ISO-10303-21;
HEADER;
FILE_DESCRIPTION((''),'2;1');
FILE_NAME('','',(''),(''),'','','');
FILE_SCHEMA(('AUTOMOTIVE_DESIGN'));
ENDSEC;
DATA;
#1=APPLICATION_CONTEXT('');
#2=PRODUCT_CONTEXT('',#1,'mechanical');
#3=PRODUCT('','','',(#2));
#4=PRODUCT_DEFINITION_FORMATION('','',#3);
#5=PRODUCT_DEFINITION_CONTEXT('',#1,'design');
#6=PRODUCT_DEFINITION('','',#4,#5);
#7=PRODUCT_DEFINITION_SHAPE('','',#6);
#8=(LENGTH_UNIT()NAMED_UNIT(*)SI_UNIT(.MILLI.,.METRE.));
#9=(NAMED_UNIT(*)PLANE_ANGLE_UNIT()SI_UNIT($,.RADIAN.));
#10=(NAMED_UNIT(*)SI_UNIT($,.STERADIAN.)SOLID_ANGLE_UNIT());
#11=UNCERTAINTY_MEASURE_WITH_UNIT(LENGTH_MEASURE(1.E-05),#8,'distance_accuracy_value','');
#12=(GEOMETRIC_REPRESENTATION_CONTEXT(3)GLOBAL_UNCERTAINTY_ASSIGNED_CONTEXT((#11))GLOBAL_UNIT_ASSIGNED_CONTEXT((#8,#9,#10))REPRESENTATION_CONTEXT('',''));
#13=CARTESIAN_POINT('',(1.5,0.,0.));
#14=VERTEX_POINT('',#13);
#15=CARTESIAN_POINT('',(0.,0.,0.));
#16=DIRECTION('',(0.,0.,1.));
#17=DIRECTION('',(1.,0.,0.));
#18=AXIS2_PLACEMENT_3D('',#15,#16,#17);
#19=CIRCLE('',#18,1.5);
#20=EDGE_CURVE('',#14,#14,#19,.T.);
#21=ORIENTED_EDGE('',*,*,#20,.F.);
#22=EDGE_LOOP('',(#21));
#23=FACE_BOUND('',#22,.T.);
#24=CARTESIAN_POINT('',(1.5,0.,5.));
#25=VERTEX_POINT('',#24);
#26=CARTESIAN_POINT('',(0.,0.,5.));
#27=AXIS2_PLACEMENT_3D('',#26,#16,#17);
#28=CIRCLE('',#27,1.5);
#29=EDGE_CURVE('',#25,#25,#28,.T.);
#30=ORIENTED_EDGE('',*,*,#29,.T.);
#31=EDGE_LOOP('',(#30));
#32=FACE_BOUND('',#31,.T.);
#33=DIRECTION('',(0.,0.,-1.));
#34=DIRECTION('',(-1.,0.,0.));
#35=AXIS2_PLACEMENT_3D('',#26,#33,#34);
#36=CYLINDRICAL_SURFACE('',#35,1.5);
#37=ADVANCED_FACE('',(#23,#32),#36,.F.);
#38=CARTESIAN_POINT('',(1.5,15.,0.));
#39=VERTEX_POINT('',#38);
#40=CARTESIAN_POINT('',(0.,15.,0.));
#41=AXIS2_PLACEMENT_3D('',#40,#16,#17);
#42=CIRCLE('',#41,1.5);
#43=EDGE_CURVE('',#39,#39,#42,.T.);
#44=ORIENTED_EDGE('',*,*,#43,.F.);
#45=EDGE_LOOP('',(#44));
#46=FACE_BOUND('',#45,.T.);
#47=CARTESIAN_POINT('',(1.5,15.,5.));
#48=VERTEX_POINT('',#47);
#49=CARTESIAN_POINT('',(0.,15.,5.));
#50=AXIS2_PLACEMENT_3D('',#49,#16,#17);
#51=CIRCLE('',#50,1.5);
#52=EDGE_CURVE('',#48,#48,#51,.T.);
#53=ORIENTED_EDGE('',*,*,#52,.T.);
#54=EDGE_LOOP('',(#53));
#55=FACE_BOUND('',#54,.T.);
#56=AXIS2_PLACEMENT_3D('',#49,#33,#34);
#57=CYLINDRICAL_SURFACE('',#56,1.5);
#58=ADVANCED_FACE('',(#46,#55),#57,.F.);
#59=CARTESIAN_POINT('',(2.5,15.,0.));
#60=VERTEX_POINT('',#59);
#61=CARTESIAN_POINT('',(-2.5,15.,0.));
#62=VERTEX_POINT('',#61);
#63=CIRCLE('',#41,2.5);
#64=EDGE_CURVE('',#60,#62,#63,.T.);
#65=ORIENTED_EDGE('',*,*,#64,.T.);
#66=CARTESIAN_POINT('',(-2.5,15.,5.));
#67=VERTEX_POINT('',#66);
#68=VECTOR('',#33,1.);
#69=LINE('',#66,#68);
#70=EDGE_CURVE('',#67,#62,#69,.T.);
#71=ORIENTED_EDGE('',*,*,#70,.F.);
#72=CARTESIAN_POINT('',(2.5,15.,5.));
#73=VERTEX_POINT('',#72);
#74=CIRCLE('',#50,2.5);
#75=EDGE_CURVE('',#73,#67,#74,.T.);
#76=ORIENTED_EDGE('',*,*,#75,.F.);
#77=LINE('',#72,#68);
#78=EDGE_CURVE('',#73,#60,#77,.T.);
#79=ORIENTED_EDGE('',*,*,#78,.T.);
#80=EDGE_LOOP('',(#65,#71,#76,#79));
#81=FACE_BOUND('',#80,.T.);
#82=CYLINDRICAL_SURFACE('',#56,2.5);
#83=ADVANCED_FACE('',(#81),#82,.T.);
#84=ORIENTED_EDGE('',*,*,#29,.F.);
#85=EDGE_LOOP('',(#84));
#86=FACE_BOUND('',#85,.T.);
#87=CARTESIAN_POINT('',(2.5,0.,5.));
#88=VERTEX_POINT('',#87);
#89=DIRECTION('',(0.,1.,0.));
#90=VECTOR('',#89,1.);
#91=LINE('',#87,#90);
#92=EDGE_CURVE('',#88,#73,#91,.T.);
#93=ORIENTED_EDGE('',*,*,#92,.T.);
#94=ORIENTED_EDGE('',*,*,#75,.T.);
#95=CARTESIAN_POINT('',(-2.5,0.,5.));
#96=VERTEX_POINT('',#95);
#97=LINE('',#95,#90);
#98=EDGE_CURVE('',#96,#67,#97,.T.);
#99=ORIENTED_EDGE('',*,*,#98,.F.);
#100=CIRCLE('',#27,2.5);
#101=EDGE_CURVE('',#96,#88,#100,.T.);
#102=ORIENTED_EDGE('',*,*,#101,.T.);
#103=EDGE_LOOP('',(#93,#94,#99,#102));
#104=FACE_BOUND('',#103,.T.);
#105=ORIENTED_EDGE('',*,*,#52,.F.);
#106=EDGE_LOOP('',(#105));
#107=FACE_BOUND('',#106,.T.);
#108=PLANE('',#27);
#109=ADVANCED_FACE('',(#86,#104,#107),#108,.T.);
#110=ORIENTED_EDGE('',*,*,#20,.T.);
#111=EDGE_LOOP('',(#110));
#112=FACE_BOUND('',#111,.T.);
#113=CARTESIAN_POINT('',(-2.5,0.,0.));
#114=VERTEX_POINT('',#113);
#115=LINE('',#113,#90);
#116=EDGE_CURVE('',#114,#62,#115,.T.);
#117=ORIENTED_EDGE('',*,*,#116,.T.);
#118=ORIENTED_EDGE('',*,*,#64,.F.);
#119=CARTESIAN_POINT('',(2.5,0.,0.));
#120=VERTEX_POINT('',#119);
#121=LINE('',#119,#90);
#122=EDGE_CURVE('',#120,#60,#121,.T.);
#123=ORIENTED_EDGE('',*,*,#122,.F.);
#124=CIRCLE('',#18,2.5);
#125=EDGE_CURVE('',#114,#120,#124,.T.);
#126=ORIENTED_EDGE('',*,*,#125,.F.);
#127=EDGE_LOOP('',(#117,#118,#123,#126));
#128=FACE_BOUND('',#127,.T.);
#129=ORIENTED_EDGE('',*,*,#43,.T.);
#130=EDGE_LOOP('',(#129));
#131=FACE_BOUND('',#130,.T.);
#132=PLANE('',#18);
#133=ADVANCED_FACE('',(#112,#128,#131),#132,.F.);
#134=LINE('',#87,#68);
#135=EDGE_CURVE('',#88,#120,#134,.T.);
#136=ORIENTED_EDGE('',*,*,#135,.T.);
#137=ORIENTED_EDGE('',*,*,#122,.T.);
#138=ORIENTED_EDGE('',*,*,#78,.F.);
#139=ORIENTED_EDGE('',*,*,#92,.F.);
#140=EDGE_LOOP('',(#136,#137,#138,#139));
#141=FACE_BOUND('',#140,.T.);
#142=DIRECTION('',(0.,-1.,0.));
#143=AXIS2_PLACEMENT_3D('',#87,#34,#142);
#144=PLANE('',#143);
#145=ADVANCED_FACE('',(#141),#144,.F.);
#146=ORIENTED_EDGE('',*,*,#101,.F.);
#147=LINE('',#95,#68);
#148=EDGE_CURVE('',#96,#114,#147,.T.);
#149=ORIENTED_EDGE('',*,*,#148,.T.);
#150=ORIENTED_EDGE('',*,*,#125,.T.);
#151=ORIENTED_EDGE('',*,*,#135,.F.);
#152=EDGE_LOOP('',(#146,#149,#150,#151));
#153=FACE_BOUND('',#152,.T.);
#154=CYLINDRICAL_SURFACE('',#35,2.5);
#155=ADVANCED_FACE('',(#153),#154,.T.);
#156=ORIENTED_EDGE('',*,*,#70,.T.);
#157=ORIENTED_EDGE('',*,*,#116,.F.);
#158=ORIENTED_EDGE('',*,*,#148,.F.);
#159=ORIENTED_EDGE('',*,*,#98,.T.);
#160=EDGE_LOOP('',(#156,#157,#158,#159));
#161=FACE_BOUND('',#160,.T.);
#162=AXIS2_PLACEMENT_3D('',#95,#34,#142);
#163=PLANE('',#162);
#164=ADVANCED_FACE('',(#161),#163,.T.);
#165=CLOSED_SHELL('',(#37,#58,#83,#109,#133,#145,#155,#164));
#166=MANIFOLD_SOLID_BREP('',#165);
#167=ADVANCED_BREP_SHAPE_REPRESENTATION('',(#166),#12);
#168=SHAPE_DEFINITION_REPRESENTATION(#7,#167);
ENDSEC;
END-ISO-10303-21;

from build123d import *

# Parameters (mm, degrees)
BOSS_EXTRUDE1_DEPTH = 5


with BuildPart() as part:
    # Sketch1 → Boss-Extrude1 (new body)
    with BuildSketch(Plane.XY):
        with BuildLine():
            ThreePointArc((-2.5, 15), (0, 12.5), (2.5, 15))
            Line((2.5, 15), (1.5, 15))
            ThreePointArc((1.5, 15), (0, 13.5), (-1.5, 15))
            Line((-1.5, 15), (-2.5, 15))
        make_face()
        with BuildLine():
            Line((1.5, 15), (2.5, 15))
            ThreePointArc((2.5, 15), (0, 17.5), (-2.5, 15))
            Line((-2.5, 15), (-1.5, 15))
            ThreePointArc((-1.5, 15), (0, 16.5), (1.5, 15))
        make_face()
        with BuildLine():
            ThreePointArc((-2.5, 0), (0, 2.5), (2.5, 0))
            Line((2.5, 0), (2.5, 15))
            ThreePointArc((2.5, 15), (0, 12.5), (-2.5, 15))
            Line((-2.5, 15), (-2.5, 0))
        make_face()
        with BuildLine():
            ThreePointArc((-1.5, 0), (0, 1.5), (1.5, 0))
            Line((1.5, 0), (2.5, 0))
            ThreePointArc((2.5, 0), (0, 2.5), (-2.5, 0))
            Line((-2.5, 0), (-1.5, 0))
        make_face()
        with BuildLine():
            Line((2.5, 0), (1.5, 0))
            ThreePointArc((1.5, 0), (0, -1.5), (-1.5, 0))
            Line((-1.5, 0), (-2.5, 0))
            ThreePointArc((-2.5, 0), (0, -2.5), (2.5, 0))
        make_face()
    extrude(amount=BOSS_EXTRUDE1_DEPTH)


solid = part.part
